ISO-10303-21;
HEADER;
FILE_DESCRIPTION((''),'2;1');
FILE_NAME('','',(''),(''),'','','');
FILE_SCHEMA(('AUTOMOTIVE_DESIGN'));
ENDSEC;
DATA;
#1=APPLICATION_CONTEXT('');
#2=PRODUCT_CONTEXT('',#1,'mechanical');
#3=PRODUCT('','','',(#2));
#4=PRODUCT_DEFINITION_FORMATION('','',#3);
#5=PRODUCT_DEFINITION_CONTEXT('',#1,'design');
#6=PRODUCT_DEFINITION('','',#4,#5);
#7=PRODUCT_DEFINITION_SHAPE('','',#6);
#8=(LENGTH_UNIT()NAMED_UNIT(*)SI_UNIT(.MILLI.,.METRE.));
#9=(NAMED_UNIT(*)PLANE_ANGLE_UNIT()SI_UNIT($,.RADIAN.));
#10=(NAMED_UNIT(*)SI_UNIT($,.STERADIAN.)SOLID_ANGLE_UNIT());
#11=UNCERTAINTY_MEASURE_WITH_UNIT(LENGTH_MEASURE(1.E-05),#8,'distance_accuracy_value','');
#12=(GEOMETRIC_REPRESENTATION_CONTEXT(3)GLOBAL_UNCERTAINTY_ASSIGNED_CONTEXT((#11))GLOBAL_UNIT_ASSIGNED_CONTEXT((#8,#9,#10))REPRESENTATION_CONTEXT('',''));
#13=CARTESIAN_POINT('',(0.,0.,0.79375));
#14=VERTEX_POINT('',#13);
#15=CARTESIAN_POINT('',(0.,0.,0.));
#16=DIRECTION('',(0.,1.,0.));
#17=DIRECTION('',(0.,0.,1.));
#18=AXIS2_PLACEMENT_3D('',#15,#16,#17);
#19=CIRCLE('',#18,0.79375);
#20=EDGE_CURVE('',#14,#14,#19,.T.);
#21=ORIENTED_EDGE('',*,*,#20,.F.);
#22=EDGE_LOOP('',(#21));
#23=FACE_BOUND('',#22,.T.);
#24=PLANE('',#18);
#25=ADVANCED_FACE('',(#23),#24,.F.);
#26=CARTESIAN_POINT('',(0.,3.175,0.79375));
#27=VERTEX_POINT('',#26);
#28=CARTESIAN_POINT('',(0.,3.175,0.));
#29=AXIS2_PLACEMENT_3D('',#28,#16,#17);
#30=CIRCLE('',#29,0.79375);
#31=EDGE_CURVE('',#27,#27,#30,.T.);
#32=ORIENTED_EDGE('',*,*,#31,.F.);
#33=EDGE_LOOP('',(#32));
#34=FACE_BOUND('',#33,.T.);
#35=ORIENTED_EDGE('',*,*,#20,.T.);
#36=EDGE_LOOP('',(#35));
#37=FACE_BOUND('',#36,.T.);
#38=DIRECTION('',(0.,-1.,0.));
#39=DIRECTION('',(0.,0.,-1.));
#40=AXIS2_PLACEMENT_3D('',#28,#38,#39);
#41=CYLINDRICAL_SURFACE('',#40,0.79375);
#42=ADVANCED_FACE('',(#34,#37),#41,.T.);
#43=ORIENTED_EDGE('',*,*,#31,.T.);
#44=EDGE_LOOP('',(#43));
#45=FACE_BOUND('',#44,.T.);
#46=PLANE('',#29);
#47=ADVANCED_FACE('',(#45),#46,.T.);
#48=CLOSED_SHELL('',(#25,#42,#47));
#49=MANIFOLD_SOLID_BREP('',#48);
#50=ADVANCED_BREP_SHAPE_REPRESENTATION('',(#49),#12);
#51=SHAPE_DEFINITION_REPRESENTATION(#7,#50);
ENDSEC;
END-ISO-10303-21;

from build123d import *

# Parameters (mm, degrees)
SKETCH1_R           = 0.79375
BOSS_EXTRUDE1_DEPTH = 3.175


with BuildPart() as part:
    # Sketch1 → Boss-Extrude1 (new body)
    with BuildSketch(Plane(origin=(0, 0, 0), x_dir=(1, 0, 0), z_dir=(0, 1, 0))):
        Circle(SKETCH1_R)
    extrude(amount=BOSS_EXTRUDE1_DEPTH)


solid = part.part
